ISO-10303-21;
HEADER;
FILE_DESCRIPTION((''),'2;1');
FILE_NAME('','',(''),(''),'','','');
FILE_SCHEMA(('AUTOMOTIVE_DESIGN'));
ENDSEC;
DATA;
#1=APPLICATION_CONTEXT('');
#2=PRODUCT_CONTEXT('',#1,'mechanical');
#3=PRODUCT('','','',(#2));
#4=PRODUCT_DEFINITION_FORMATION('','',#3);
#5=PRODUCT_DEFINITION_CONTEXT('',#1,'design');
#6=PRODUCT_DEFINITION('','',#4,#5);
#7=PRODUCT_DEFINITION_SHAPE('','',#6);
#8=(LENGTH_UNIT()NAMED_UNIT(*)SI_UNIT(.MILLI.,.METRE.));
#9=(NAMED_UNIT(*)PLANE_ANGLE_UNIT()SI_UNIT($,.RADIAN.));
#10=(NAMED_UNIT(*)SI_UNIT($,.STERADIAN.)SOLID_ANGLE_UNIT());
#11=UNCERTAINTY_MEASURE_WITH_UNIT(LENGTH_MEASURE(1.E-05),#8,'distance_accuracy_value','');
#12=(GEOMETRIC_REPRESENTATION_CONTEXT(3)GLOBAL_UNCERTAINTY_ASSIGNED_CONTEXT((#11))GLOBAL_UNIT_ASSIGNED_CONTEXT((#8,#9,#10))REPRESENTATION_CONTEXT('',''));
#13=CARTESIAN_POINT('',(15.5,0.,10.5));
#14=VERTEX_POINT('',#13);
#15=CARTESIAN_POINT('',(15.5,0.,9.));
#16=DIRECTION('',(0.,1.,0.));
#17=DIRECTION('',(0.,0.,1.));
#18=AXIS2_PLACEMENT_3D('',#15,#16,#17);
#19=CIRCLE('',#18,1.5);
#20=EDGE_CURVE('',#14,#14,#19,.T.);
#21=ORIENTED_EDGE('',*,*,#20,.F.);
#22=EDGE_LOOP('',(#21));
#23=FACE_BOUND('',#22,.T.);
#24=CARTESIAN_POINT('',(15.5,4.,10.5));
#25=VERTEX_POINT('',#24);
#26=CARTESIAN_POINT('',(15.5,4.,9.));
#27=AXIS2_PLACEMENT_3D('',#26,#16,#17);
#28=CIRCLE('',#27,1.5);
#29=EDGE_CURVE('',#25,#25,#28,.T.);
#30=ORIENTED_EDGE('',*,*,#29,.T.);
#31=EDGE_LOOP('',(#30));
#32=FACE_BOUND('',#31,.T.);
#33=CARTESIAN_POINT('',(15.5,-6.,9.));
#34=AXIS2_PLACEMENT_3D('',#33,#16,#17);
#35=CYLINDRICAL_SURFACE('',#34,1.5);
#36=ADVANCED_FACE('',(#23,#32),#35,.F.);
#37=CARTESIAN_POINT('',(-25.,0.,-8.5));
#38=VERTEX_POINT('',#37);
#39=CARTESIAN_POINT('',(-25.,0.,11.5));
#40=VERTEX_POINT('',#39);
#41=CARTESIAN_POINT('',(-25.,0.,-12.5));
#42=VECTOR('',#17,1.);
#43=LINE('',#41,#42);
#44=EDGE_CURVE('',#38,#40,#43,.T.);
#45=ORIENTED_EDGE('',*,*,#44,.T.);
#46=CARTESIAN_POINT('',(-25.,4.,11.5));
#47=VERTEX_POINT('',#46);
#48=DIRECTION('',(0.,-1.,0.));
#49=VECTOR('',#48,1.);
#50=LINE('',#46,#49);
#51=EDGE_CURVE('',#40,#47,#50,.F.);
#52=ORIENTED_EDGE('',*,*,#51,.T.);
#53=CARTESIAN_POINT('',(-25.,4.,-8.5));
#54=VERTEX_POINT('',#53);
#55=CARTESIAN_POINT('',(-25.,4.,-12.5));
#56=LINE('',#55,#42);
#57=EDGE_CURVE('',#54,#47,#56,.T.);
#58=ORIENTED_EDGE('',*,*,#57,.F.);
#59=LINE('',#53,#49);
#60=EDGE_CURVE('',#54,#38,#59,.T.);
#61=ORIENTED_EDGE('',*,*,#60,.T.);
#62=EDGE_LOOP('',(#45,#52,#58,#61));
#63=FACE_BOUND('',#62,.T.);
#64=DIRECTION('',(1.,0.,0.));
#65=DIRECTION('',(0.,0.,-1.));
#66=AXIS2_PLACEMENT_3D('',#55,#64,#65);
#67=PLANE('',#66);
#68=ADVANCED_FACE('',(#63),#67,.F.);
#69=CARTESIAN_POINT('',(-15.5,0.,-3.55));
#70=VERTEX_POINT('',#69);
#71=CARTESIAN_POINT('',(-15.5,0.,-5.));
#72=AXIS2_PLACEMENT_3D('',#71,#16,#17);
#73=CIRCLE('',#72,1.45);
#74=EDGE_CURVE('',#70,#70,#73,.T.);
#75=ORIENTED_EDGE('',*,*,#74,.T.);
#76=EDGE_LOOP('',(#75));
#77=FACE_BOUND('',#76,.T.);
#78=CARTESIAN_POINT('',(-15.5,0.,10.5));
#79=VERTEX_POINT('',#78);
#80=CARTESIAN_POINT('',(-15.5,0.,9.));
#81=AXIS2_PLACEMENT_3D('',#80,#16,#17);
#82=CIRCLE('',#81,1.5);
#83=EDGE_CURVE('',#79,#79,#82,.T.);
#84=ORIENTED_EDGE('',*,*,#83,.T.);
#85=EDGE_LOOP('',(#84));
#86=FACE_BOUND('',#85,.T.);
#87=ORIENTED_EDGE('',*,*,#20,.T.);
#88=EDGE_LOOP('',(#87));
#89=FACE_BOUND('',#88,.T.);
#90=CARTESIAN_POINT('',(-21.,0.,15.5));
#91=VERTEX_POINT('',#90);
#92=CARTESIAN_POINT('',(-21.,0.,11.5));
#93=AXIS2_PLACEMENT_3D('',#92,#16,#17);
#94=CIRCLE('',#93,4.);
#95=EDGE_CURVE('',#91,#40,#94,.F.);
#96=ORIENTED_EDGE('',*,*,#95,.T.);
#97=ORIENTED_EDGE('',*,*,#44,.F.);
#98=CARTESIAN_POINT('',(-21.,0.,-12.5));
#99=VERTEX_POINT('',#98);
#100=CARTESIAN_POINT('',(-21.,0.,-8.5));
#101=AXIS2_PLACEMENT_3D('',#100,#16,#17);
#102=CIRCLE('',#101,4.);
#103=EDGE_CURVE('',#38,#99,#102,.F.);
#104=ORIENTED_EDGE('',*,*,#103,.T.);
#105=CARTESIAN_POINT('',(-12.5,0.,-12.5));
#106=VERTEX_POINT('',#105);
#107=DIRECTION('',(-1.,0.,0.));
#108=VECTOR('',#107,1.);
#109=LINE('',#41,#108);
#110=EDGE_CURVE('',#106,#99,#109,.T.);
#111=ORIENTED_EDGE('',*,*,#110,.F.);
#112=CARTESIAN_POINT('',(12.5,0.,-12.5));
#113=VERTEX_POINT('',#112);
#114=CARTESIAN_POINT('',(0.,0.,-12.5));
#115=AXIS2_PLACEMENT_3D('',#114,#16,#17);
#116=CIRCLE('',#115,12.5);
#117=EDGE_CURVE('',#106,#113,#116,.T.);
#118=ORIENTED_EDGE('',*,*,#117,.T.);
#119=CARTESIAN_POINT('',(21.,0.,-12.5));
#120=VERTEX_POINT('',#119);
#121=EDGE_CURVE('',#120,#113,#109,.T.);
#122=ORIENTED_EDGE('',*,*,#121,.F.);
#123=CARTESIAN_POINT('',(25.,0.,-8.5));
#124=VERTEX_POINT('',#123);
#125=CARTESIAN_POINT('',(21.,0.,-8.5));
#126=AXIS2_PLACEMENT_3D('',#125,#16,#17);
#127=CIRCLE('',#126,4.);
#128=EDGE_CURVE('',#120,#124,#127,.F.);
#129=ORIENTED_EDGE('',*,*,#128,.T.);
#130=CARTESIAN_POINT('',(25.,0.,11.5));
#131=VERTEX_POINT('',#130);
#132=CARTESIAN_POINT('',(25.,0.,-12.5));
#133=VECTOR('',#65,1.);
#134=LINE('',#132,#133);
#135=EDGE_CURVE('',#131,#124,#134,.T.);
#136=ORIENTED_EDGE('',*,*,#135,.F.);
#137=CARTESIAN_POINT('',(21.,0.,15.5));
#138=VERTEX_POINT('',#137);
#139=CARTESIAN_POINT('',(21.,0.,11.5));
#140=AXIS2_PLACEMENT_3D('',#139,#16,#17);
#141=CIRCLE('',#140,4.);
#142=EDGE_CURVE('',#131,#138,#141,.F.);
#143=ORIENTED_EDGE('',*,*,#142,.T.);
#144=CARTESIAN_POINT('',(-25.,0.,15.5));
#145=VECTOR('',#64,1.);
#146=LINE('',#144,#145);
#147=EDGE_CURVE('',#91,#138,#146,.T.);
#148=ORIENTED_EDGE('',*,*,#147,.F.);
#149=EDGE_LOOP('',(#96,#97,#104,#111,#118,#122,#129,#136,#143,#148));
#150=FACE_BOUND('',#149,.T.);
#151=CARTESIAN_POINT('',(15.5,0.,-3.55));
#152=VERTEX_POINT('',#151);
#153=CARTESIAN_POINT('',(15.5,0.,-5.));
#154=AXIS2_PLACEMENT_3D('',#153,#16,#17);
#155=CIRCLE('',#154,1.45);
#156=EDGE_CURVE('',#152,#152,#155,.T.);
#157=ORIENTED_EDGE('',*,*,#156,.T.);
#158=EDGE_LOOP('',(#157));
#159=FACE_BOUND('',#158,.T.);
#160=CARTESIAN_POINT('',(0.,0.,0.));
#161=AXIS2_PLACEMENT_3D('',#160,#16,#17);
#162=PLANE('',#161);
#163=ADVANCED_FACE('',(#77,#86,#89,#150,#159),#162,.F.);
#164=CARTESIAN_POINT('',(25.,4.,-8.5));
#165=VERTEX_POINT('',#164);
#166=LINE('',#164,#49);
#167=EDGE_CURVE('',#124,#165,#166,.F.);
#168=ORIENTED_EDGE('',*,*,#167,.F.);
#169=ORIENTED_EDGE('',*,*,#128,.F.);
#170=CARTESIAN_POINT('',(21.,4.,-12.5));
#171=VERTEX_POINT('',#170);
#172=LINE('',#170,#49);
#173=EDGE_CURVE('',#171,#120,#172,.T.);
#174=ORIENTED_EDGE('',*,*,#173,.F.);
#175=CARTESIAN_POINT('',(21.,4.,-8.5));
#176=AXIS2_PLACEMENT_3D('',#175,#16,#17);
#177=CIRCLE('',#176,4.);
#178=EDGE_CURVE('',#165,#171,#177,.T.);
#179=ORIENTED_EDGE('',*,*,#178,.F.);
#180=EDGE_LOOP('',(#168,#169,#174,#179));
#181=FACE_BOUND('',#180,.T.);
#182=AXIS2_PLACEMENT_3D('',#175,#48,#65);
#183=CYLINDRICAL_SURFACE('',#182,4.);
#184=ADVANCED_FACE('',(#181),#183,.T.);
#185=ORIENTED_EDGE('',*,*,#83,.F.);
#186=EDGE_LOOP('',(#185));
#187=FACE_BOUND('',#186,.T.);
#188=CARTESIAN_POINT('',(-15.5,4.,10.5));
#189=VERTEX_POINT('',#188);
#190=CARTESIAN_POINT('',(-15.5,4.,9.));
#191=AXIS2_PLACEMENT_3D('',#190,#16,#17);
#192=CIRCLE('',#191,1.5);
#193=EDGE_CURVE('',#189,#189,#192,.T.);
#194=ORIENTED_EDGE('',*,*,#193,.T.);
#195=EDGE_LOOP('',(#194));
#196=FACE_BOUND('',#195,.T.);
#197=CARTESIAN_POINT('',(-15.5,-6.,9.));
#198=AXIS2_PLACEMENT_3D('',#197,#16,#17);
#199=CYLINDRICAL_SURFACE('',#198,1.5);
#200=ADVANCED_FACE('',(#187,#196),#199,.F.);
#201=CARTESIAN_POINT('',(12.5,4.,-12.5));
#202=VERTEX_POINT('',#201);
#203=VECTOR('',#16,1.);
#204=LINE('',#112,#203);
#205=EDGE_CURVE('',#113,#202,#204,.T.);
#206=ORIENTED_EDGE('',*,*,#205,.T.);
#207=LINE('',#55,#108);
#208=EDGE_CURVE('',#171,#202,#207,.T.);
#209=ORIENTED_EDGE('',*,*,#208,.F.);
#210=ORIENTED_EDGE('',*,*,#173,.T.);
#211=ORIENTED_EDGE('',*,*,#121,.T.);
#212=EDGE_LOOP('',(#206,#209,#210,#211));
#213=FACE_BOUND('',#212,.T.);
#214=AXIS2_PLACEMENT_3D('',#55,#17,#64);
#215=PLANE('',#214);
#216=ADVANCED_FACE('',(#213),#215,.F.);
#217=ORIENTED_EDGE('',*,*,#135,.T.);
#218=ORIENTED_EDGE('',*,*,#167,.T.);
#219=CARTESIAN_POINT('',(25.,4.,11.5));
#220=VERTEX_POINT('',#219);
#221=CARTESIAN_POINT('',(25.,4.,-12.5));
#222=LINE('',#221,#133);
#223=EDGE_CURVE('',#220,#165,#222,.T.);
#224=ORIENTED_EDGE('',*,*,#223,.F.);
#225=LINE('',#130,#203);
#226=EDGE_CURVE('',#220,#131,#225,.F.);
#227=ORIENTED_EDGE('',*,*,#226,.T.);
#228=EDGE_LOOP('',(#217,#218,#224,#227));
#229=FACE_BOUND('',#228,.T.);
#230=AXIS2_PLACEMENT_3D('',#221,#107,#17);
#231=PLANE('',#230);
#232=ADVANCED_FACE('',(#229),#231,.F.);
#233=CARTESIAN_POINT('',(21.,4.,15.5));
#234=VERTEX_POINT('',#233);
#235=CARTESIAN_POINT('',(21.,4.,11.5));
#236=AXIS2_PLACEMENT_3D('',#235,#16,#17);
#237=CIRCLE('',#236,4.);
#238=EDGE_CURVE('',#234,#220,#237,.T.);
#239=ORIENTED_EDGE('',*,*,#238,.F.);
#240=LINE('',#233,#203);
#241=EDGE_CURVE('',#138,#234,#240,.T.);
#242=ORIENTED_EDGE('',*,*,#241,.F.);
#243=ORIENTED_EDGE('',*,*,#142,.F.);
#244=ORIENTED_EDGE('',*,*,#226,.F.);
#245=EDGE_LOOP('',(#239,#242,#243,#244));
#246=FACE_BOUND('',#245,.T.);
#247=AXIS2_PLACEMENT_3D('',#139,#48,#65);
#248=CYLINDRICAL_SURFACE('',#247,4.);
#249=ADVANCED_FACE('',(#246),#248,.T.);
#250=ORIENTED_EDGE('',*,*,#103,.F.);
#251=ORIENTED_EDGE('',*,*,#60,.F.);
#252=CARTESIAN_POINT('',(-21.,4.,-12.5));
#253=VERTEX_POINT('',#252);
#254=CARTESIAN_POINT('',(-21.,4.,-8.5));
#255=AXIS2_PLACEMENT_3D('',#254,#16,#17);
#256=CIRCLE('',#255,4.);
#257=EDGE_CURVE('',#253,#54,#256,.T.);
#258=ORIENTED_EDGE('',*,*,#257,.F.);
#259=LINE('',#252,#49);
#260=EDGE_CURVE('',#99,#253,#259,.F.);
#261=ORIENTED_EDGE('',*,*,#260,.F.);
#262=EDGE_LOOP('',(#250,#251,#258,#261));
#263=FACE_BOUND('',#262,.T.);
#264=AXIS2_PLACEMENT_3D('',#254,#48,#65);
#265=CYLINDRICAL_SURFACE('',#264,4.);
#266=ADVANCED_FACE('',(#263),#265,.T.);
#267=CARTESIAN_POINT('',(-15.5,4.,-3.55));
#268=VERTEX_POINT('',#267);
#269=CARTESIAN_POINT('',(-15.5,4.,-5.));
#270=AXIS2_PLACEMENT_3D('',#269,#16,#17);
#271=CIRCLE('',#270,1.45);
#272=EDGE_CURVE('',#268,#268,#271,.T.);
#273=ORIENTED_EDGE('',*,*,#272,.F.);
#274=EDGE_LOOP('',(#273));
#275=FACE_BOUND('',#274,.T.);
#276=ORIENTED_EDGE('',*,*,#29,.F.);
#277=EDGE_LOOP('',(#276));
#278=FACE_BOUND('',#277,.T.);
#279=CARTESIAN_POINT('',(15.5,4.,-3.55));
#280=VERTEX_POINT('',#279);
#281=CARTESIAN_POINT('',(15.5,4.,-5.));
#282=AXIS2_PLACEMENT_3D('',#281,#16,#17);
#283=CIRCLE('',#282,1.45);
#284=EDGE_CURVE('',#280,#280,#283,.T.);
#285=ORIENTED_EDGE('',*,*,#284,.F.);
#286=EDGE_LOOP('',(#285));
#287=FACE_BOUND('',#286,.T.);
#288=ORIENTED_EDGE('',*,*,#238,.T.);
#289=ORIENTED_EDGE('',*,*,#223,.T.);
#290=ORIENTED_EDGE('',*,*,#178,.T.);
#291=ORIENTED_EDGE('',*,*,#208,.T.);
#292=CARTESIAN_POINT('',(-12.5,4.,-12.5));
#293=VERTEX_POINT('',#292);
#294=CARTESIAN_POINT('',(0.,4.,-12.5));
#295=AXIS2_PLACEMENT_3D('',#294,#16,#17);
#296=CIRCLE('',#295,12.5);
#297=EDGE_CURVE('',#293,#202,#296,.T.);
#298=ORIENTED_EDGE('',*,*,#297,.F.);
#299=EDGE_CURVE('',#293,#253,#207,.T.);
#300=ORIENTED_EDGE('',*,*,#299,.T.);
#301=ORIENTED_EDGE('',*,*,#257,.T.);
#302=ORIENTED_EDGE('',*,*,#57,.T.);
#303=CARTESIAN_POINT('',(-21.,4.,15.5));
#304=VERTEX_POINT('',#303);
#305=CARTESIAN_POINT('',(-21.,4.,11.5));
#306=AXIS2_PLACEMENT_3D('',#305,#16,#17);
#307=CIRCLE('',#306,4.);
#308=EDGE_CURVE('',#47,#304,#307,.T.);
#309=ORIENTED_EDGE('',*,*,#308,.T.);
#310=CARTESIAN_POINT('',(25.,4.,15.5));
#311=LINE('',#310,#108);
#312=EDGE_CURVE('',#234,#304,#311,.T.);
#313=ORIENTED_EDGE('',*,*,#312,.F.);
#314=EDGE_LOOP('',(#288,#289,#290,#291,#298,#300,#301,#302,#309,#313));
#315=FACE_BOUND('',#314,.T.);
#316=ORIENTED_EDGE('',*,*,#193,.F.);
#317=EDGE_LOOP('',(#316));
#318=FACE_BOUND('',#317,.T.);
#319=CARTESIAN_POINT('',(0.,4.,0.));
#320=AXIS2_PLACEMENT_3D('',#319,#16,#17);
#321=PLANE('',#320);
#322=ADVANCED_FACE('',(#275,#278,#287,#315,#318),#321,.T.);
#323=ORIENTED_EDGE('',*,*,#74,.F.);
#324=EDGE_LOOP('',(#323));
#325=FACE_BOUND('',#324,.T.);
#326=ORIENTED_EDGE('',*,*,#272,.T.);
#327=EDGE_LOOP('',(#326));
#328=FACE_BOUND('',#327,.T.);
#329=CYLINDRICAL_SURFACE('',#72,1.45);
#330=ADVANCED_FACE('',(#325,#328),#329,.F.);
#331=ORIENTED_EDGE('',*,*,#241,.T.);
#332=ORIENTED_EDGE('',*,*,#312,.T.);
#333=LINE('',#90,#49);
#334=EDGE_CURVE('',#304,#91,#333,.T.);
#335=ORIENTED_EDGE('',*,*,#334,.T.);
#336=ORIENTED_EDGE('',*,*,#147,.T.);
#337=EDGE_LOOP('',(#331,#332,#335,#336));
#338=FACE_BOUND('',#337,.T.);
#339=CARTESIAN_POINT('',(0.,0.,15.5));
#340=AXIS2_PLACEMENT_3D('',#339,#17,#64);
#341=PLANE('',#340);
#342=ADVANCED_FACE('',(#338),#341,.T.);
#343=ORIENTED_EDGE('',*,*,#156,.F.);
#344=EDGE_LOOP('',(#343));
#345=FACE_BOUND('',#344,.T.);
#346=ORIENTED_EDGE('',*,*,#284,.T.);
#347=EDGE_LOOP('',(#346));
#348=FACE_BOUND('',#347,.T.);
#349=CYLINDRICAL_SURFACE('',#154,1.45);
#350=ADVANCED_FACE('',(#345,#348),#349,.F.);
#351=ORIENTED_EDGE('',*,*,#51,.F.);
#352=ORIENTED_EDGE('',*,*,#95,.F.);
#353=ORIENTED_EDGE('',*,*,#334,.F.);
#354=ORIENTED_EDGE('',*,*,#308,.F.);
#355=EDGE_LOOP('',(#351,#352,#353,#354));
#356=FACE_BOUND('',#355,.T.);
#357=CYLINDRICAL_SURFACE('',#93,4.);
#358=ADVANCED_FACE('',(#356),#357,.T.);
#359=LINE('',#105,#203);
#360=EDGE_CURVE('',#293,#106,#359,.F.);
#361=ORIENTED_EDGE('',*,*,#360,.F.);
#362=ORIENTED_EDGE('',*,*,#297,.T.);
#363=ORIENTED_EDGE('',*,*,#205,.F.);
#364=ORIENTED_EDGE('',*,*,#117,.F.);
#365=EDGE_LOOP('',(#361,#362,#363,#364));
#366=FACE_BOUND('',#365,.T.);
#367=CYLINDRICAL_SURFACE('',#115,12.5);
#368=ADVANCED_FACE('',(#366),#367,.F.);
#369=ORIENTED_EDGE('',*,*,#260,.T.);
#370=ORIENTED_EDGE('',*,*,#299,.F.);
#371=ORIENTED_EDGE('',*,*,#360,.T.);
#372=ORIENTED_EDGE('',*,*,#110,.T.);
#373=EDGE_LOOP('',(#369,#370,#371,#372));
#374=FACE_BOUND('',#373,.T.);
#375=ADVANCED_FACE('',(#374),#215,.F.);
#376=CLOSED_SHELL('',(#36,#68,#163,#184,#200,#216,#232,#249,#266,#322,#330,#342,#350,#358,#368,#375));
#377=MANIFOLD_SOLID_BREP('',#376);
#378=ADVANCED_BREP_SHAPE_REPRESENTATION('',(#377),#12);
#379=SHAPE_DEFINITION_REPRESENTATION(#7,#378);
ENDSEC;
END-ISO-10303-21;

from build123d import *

# Parameters (mm, degrees)
SKETCH_1_W          = 50
SKETCH_1_H          = 25
EXTRUDE_1_DEPTH     = 4
SKETCH_2_R          = 1.45
CUT_EXTRUDE_1_DEPTH = 4
SKETCH_3_R          = 12.5
CUT_EXTRUDE_2_DEPTH = 4
SKETCH_5_W          = 50
SKETCH_5_H          = 4
EXTRUDE_2_DEPTH     = 3
FILLET_1_R          = 4
SKETCH_11_R         = 1.5
CUT_EXTRUDE_4_DEPTH = 10


with BuildPart() as part:
    # 草图1 → 凸台-拉伸1 (new body)
    with BuildSketch(Plane(origin=(0, 0, 0), x_dir=(1, 0, 0), z_dir=(0, 1, 0))):
        Rectangle(SKETCH_1_W, SKETCH_1_H)
    extrude(amount=EXTRUDE_1_DEPTH)

    # 草图2 → 切除-拉伸1 (cut)
    with BuildSketch(Plane(origin=(0, 4, 0), x_dir=(1, 0, 0), z_dir=(0, 1, 0))):
        with Locations(Location((-15.5, 5, 0), (0, 0, 270))):
            Circle(SKETCH_2_R)
        with Locations(Location((15.5, 5, 0), (0, 0, 270))):
            Circle(SKETCH_2_R)
    extrude(amount=-CUT_EXTRUDE_1_DEPTH, mode=Mode.SUBTRACT)

    # 草图3 → 切除-拉伸2 (cut)
    with BuildSketch(Plane(origin=(0, 4, 0), x_dir=(1, 0, 0), z_dir=(0, 1, 0))):
        with Locations((0, 12.5)):
            Circle(SKETCH_3_R)
    extrude(amount=-CUT_EXTRUDE_2_DEPTH, mode=Mode.SUBTRACT)

    # 草图5 → 凸台-拉伸2 (add)
    with BuildSketch(Plane.XY.offset(12.5)):
        with Locations((0, 2)):
            Rectangle(SKETCH_5_W, SKETCH_5_H)
    extrude(amount=EXTRUDE_2_DEPTH)

    # 圆角1
    fillet_1_edges = [part.edges().sort_by_distance(p)[0] for p in [
        (-25, 2, 15.5),
        (25, 2, 15.5),
        (-25, 2, -12.5),
        (25, 2, -12.5),
    ]]
    fillet(fillet_1_edges, radius=FILLET_1_R)

    # 草图11 → 切除-拉伸4 (cut)
    with BuildSketch(Plane(origin=(0, 4, 0), x_dir=(1, 0, 0), z_dir=(0, 1, 0))):
        with Locations(Location((-15.5, -9, 0), (0, 0, 270))):
            Circle(SKETCH_11_R)
        with Locations(Location((15.5, -9, 0), (0, 0, 270))):
            Circle(SKETCH_11_R)
    extrude(amount=-CUT_EXTRUDE_4_DEPTH, mode=Mode.SUBTRACT)


solid = part.part
